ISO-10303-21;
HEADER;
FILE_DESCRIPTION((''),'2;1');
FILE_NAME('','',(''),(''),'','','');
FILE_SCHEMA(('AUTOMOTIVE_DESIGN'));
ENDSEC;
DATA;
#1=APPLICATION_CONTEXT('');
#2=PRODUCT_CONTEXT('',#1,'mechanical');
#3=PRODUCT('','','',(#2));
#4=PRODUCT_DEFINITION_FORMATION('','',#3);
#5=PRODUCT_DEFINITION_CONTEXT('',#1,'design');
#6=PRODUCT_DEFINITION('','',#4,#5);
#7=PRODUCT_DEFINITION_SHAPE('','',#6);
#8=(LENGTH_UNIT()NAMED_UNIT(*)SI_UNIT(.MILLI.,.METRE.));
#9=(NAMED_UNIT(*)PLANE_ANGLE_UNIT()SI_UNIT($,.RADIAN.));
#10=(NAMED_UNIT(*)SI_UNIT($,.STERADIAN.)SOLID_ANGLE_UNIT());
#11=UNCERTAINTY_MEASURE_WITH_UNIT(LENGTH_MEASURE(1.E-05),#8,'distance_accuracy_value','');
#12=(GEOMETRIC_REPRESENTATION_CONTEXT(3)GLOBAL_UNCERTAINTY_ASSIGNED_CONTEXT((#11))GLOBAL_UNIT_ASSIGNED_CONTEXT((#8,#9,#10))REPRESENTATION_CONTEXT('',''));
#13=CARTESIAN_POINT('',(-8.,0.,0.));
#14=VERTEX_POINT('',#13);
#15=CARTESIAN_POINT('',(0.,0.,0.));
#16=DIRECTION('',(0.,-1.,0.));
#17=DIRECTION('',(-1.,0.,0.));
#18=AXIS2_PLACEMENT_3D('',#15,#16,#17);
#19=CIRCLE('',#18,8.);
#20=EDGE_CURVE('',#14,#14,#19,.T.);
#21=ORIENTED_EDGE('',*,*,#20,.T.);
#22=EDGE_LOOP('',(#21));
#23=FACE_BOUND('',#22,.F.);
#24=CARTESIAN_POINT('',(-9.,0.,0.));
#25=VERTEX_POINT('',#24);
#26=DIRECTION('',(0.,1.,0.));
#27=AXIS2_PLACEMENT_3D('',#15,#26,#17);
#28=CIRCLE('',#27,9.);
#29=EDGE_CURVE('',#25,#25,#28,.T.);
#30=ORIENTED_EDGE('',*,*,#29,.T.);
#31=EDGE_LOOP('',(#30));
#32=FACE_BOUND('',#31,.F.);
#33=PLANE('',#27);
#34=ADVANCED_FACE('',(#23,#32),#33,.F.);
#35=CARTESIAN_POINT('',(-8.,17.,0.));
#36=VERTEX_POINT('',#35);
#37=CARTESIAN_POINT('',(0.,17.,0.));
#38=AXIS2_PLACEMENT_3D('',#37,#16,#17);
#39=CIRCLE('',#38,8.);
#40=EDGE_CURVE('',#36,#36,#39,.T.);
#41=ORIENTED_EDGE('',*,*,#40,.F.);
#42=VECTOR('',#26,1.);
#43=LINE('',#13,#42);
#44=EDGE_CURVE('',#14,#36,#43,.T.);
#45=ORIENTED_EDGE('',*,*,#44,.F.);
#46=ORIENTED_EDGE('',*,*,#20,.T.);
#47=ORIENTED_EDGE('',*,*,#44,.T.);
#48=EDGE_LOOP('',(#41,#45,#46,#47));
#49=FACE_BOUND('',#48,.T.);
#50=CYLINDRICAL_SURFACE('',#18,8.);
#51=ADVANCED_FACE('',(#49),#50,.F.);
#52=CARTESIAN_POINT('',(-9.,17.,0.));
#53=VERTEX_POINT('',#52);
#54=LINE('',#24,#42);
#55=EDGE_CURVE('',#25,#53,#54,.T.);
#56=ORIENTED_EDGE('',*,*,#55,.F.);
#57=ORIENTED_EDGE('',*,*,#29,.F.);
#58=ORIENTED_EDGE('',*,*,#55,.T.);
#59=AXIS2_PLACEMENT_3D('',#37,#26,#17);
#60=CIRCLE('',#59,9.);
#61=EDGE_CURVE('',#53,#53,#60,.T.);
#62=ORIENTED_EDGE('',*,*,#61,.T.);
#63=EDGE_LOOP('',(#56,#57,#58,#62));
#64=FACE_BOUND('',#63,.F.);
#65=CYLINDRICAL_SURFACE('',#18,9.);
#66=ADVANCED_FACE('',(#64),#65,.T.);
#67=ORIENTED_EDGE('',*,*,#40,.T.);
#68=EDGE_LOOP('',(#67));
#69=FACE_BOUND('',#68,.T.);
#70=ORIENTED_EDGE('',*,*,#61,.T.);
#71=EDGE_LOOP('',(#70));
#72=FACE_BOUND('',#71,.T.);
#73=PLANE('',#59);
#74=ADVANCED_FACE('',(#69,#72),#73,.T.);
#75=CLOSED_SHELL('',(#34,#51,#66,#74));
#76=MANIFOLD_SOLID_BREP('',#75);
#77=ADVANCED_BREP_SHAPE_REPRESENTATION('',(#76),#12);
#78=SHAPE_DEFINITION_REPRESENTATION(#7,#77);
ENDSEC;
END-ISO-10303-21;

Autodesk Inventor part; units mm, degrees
ref_plane "YZ Plane" through (0, 0, 0) normal (1, 0, 0) x (0, 1, 0)
ref_plane "XZ Plane" through (0, 0, 0) normal (0, 1, 0) x (-1, 0, 0)
ref_plane "XY Plane" through (0, 0, 0) normal (0, 0, 1) x (1, 0, 0)
sketch "Sketch1" plane through (0, 0, 0) normal (0, 1, 0) x (-1, 0, 0)
  circle A0 centre (0, 0) radius 9
  dimension "d0" = 18
extrude "Extrusion1" add sketch "Sketch1" along normal blind 17
shell "Shell1" thickness 1 removed faces 2 at (-2.2455, 0, -1.9894) at (-2.2455, 17, -1.9894)
properties part number "RUBBER2"
